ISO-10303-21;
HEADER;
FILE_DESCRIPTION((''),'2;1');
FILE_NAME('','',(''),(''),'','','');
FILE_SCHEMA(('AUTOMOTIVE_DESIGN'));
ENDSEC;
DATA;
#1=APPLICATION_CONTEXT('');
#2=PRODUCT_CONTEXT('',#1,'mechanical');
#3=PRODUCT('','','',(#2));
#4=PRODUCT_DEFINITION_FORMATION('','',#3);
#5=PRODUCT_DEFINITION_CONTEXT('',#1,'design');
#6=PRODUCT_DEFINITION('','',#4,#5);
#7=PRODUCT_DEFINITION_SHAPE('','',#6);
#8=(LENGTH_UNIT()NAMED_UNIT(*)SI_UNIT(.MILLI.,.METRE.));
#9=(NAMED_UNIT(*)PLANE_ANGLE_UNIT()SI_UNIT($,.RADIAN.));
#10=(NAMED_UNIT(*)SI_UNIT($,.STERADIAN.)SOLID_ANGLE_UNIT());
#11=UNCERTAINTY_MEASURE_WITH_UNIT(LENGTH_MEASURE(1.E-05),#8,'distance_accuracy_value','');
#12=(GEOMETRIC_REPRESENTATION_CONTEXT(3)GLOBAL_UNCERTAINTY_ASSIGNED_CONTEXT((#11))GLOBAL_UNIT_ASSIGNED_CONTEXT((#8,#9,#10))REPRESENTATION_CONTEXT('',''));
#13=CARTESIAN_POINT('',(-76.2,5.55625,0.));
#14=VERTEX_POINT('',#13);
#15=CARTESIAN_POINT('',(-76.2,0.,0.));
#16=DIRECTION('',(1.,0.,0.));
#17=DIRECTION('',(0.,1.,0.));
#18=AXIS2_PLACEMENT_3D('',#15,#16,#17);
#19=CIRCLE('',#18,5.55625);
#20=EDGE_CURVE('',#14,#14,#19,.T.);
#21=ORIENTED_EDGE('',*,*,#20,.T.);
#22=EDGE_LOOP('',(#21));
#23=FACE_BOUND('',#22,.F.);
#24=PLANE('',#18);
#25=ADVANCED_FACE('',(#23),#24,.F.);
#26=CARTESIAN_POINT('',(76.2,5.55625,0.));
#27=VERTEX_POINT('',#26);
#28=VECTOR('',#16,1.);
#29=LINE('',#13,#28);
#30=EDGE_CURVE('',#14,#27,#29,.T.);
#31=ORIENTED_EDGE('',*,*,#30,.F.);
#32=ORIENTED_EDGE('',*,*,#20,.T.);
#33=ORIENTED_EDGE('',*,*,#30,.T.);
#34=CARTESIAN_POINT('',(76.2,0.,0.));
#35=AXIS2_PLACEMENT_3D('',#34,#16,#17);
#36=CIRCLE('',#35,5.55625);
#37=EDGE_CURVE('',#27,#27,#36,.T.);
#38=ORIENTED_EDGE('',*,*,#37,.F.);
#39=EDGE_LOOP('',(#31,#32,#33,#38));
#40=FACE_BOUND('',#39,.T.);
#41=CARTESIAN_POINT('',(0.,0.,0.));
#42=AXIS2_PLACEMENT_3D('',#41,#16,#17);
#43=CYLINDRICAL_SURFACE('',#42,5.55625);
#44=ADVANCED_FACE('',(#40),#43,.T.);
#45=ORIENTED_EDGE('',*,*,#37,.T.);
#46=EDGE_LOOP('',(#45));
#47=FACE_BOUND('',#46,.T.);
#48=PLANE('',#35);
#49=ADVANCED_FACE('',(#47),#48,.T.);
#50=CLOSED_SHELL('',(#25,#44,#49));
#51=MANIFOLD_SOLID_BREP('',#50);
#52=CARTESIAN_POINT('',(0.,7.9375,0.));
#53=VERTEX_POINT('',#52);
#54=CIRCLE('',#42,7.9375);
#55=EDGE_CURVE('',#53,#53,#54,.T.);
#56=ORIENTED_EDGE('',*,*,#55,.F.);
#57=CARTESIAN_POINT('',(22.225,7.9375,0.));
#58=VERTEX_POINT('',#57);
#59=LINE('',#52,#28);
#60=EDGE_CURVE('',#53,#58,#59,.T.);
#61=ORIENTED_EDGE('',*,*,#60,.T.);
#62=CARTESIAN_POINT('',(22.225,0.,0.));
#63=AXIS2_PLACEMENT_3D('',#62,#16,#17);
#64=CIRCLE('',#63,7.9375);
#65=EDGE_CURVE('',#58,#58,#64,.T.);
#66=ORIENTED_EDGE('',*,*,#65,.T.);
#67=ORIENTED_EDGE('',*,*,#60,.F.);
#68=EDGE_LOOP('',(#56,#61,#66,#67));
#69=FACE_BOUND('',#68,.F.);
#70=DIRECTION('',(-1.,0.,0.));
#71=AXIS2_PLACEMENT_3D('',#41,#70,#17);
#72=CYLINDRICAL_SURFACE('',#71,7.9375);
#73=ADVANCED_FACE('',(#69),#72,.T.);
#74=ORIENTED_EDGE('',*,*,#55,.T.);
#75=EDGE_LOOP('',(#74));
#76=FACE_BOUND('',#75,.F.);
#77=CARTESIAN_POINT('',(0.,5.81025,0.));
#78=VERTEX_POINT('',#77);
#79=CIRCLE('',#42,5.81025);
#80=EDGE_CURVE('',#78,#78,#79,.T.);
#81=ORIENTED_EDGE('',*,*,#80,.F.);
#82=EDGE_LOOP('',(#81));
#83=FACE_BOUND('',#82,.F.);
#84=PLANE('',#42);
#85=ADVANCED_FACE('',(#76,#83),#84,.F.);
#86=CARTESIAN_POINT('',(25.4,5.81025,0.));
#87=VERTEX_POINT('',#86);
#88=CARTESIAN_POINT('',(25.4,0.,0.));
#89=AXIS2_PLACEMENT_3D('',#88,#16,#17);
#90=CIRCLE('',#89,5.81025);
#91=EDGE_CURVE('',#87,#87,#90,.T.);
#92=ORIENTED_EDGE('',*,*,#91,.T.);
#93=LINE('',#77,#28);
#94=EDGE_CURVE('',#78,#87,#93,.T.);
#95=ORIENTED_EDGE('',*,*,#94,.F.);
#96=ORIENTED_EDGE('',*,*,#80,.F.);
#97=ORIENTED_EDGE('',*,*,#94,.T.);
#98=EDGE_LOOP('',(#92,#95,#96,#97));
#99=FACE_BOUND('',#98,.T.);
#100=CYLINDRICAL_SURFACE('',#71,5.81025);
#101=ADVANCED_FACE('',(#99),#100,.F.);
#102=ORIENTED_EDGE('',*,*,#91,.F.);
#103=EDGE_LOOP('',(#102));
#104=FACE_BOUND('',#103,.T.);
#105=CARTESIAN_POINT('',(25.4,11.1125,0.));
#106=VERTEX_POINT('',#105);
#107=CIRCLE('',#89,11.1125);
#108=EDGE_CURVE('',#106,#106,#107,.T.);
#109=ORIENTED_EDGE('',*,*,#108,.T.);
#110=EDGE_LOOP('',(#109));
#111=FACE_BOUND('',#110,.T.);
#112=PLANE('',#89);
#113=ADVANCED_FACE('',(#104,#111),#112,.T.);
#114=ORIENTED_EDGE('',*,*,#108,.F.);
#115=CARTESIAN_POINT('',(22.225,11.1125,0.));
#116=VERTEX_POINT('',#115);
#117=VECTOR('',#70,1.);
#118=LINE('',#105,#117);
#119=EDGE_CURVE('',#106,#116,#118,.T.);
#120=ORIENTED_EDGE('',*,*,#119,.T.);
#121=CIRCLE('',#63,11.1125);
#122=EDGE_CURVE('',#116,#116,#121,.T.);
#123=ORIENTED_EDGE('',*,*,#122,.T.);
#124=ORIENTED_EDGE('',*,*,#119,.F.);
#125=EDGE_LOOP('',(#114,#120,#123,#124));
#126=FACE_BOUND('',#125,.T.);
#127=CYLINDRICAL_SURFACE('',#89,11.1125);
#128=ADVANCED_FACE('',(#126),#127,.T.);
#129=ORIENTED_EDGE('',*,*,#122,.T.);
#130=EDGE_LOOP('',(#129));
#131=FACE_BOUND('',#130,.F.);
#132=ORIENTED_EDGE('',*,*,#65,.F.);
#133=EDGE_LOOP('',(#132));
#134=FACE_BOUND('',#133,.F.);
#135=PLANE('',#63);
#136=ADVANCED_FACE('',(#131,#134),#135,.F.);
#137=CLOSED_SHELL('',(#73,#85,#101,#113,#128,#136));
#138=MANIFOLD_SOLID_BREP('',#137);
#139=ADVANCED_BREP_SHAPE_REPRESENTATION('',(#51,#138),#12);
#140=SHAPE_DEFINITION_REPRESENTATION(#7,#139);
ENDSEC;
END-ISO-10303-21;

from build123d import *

# Parameters (mm, degrees)
F0_R     = 5.55625
F1_DEPTH = 76.2
F0_R_2   = 7.9375
F0_R_3   = 5.81025
F2_DEPTH = 25.4
F3_R     = 11.1125
F3_R_2   = 7.9375
F4_DEPTH = 3.175


with BuildPart() as f1:
    # F0 (on Right) → F1 (new body, symmetric)
    with BuildSketch(Plane.YZ):
        Circle(F0_R)
    extrude(amount=F1_DEPTH, both=True)


with BuildPart() as f2:
    # F0 (on Right) → F2 (new body)
    with BuildSketch(Plane.YZ):
        Circle(F0_R_2)
        Circle(F0_R_3, mode=Mode.SUBTRACT)
    extrude(amount=F2_DEPTH)

    # F3 (on face) → F4 (join)
    with BuildSketch(Plane.YZ.offset(25.4)):
        Circle(F3_R)
        Circle(F3_R_2, mode=Mode.SUBTRACT)
    extrude(amount=-F4_DEPTH)


solid = Compound([f1.part, f2.part])
